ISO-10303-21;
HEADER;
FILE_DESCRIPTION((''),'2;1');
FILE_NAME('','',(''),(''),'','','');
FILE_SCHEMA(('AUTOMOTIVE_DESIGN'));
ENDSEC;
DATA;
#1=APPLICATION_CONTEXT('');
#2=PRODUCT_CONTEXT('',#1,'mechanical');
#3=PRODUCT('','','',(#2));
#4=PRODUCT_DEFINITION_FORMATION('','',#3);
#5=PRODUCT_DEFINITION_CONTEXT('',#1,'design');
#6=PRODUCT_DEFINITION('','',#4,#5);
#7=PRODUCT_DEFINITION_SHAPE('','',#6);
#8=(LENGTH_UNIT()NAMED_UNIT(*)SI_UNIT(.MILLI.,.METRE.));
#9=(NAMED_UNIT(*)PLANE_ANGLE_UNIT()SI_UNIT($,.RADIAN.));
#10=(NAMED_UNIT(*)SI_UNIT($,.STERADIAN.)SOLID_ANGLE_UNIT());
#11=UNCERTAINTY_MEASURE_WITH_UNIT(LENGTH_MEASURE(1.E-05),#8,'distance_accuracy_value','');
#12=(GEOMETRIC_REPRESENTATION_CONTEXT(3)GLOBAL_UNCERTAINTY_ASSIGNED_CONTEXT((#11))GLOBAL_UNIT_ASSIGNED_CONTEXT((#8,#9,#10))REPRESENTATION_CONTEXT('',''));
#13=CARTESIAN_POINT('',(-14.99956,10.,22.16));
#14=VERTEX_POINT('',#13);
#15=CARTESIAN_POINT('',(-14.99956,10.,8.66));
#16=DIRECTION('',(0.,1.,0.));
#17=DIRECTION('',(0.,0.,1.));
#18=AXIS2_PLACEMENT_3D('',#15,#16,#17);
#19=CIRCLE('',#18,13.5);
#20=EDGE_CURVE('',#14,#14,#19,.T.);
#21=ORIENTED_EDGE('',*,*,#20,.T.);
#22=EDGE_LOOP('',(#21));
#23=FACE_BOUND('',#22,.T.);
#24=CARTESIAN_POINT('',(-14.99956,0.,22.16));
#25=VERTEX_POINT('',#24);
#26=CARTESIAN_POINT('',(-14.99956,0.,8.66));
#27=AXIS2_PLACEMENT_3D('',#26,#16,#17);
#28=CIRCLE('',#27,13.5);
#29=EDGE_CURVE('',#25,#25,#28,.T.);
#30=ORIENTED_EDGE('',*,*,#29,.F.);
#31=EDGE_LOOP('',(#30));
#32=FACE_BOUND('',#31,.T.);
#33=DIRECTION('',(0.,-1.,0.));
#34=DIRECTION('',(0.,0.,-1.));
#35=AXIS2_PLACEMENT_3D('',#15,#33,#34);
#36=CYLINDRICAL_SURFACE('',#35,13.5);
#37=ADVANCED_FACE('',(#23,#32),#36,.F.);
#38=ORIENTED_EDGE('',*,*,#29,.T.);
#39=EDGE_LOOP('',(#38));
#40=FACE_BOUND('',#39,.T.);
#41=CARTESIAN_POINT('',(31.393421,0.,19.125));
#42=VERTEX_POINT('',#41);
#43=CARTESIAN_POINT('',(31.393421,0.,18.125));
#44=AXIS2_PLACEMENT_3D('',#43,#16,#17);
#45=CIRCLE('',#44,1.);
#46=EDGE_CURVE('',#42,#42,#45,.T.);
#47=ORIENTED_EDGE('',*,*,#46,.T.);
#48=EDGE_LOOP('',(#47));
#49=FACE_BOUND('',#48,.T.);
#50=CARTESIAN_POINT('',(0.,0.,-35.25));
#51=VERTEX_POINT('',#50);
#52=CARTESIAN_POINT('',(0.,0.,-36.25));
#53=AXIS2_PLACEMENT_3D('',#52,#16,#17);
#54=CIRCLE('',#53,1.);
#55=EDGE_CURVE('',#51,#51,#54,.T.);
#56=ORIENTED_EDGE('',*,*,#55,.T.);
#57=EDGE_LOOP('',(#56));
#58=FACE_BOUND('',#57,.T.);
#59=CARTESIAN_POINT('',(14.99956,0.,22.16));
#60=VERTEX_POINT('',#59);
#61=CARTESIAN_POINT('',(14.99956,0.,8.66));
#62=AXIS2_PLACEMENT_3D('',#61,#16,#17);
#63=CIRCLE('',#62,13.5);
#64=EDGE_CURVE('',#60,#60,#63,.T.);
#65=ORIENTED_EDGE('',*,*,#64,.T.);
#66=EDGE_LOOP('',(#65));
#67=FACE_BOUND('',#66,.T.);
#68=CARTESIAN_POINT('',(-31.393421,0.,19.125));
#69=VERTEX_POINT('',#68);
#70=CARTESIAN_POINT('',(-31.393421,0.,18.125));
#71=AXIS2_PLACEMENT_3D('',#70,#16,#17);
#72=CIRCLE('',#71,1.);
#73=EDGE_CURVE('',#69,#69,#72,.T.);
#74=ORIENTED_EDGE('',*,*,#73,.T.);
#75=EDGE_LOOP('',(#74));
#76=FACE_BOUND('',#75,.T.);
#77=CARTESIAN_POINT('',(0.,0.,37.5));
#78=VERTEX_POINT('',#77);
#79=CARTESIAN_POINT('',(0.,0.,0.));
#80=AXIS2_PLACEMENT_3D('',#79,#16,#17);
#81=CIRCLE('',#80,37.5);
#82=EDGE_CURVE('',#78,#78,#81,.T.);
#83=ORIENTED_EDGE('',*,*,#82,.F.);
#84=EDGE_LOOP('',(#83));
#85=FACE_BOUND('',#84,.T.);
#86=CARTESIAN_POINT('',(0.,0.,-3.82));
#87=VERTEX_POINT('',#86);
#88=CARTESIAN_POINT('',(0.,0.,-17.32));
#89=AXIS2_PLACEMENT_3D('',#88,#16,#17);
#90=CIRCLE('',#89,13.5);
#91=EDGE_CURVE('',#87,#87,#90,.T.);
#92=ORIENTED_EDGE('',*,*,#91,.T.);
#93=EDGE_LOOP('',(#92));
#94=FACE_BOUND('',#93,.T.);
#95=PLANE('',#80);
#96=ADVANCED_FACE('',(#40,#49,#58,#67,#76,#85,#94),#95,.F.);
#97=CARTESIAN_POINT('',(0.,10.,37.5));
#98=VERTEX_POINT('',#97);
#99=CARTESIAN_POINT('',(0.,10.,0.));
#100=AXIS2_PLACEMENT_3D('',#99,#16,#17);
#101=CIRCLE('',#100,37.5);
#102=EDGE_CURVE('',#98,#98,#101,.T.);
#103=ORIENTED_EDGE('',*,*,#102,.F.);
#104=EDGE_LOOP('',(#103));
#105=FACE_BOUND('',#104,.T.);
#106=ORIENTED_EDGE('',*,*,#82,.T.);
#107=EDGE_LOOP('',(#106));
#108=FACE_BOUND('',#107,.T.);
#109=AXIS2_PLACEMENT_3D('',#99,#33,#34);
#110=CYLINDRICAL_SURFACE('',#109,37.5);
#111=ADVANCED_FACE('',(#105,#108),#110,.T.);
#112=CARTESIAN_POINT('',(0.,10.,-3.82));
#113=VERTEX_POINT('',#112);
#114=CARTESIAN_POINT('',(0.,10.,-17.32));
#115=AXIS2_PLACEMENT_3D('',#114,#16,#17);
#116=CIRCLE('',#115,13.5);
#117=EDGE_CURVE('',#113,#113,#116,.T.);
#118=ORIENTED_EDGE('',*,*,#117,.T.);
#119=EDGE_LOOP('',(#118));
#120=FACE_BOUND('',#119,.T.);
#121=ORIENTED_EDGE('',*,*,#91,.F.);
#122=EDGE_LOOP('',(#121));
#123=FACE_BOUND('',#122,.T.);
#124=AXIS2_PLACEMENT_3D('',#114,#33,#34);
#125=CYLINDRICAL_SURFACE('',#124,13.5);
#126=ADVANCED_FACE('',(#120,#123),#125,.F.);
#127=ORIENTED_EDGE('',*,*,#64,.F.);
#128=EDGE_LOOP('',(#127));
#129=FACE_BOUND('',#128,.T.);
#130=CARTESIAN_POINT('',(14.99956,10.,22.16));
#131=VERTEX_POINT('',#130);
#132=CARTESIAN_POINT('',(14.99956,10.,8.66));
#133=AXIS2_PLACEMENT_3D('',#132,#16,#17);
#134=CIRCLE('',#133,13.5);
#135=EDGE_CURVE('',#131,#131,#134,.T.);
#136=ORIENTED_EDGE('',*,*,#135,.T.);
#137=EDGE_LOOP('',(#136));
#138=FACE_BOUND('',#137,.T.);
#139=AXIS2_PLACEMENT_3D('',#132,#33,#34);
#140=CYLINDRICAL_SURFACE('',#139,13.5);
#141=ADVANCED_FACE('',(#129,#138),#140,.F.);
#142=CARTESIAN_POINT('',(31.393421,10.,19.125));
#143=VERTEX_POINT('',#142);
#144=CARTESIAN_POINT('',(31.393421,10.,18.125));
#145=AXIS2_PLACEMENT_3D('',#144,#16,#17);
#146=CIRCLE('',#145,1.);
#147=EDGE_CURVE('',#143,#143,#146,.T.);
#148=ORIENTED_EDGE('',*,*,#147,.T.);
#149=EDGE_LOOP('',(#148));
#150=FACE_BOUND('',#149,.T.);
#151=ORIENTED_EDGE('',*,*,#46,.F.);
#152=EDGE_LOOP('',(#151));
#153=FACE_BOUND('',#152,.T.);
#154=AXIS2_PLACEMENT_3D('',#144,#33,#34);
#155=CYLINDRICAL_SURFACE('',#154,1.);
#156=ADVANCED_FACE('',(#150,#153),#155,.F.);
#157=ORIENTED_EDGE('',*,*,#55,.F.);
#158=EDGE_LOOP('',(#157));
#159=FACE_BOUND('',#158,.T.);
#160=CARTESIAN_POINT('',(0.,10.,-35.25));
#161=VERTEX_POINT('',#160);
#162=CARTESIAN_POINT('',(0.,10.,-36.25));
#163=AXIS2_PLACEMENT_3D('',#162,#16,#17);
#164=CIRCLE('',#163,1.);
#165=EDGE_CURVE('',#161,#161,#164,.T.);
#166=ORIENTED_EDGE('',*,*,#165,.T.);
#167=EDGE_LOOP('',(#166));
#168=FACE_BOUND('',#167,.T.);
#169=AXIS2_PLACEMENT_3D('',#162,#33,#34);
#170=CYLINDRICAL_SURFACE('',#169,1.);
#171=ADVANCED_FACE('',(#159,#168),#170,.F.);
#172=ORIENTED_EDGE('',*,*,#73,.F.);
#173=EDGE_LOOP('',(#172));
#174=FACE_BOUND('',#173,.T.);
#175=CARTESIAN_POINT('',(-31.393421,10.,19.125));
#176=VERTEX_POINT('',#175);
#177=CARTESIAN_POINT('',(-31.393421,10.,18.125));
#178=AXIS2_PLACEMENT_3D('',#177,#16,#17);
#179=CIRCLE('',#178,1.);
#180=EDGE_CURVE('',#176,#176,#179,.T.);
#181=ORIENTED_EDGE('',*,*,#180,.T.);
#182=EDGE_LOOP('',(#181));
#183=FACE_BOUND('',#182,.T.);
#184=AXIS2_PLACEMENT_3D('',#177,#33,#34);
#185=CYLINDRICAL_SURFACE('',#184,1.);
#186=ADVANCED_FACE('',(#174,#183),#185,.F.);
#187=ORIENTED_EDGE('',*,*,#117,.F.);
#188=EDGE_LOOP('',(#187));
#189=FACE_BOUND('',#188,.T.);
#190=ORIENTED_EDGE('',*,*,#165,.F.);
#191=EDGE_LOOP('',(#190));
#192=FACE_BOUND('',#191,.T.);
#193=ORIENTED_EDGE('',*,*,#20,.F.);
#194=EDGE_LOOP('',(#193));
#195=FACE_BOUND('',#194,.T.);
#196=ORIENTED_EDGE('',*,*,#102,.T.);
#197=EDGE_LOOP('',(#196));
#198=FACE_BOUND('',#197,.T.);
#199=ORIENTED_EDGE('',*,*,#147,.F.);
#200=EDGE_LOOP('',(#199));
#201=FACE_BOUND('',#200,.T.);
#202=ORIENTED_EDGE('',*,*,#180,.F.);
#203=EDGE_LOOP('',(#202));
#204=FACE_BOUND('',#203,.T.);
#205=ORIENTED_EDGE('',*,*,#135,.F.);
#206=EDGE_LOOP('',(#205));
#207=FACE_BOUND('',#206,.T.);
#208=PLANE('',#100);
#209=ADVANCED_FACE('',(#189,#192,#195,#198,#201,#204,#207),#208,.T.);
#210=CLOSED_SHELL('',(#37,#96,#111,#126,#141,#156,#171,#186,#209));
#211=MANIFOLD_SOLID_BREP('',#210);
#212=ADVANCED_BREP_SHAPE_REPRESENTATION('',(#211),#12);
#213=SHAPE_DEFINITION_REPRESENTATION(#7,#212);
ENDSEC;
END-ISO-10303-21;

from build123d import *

# Parameters (mm, degrees)
SKETCH1_R           = 37.5
SKETCH1_R_2         = 13.5
SKETCH1_R_3         = 1
BOSS_EXTRUDE3_DEPTH = 10


with BuildPart() as part:
    # Sketch1 → Boss-Extrude3 (new body)
    with BuildSketch(Plane(origin=(0, 0, 0), x_dir=(1, 0, 0), z_dir=(0, 1, 0))):
        Circle(SKETCH1_R)
        with Locations((14.999559994, -8.66)):
            Circle(SKETCH1_R_2, mode=Mode.SUBTRACT)
        with Locations((0, 17.32)):
            Circle(SKETCH1_R_2, mode=Mode.SUBTRACT)
        with Locations((-14.999559994, -8.66)):
            Circle(SKETCH1_R_2, mode=Mode.SUBTRACT)
        with Locations((31.393420887, -18.125)):
            Circle(SKETCH1_R_3, mode=Mode.SUBTRACT)
        with Locations((0, 36.25)):
            Circle(SKETCH1_R_3, mode=Mode.SUBTRACT)
        with Locations((-31.393420887, -18.125)):
            Circle(SKETCH1_R_3, mode=Mode.SUBTRACT)
    extrude(amount=BOSS_EXTRUDE3_DEPTH)


solid = part.part
